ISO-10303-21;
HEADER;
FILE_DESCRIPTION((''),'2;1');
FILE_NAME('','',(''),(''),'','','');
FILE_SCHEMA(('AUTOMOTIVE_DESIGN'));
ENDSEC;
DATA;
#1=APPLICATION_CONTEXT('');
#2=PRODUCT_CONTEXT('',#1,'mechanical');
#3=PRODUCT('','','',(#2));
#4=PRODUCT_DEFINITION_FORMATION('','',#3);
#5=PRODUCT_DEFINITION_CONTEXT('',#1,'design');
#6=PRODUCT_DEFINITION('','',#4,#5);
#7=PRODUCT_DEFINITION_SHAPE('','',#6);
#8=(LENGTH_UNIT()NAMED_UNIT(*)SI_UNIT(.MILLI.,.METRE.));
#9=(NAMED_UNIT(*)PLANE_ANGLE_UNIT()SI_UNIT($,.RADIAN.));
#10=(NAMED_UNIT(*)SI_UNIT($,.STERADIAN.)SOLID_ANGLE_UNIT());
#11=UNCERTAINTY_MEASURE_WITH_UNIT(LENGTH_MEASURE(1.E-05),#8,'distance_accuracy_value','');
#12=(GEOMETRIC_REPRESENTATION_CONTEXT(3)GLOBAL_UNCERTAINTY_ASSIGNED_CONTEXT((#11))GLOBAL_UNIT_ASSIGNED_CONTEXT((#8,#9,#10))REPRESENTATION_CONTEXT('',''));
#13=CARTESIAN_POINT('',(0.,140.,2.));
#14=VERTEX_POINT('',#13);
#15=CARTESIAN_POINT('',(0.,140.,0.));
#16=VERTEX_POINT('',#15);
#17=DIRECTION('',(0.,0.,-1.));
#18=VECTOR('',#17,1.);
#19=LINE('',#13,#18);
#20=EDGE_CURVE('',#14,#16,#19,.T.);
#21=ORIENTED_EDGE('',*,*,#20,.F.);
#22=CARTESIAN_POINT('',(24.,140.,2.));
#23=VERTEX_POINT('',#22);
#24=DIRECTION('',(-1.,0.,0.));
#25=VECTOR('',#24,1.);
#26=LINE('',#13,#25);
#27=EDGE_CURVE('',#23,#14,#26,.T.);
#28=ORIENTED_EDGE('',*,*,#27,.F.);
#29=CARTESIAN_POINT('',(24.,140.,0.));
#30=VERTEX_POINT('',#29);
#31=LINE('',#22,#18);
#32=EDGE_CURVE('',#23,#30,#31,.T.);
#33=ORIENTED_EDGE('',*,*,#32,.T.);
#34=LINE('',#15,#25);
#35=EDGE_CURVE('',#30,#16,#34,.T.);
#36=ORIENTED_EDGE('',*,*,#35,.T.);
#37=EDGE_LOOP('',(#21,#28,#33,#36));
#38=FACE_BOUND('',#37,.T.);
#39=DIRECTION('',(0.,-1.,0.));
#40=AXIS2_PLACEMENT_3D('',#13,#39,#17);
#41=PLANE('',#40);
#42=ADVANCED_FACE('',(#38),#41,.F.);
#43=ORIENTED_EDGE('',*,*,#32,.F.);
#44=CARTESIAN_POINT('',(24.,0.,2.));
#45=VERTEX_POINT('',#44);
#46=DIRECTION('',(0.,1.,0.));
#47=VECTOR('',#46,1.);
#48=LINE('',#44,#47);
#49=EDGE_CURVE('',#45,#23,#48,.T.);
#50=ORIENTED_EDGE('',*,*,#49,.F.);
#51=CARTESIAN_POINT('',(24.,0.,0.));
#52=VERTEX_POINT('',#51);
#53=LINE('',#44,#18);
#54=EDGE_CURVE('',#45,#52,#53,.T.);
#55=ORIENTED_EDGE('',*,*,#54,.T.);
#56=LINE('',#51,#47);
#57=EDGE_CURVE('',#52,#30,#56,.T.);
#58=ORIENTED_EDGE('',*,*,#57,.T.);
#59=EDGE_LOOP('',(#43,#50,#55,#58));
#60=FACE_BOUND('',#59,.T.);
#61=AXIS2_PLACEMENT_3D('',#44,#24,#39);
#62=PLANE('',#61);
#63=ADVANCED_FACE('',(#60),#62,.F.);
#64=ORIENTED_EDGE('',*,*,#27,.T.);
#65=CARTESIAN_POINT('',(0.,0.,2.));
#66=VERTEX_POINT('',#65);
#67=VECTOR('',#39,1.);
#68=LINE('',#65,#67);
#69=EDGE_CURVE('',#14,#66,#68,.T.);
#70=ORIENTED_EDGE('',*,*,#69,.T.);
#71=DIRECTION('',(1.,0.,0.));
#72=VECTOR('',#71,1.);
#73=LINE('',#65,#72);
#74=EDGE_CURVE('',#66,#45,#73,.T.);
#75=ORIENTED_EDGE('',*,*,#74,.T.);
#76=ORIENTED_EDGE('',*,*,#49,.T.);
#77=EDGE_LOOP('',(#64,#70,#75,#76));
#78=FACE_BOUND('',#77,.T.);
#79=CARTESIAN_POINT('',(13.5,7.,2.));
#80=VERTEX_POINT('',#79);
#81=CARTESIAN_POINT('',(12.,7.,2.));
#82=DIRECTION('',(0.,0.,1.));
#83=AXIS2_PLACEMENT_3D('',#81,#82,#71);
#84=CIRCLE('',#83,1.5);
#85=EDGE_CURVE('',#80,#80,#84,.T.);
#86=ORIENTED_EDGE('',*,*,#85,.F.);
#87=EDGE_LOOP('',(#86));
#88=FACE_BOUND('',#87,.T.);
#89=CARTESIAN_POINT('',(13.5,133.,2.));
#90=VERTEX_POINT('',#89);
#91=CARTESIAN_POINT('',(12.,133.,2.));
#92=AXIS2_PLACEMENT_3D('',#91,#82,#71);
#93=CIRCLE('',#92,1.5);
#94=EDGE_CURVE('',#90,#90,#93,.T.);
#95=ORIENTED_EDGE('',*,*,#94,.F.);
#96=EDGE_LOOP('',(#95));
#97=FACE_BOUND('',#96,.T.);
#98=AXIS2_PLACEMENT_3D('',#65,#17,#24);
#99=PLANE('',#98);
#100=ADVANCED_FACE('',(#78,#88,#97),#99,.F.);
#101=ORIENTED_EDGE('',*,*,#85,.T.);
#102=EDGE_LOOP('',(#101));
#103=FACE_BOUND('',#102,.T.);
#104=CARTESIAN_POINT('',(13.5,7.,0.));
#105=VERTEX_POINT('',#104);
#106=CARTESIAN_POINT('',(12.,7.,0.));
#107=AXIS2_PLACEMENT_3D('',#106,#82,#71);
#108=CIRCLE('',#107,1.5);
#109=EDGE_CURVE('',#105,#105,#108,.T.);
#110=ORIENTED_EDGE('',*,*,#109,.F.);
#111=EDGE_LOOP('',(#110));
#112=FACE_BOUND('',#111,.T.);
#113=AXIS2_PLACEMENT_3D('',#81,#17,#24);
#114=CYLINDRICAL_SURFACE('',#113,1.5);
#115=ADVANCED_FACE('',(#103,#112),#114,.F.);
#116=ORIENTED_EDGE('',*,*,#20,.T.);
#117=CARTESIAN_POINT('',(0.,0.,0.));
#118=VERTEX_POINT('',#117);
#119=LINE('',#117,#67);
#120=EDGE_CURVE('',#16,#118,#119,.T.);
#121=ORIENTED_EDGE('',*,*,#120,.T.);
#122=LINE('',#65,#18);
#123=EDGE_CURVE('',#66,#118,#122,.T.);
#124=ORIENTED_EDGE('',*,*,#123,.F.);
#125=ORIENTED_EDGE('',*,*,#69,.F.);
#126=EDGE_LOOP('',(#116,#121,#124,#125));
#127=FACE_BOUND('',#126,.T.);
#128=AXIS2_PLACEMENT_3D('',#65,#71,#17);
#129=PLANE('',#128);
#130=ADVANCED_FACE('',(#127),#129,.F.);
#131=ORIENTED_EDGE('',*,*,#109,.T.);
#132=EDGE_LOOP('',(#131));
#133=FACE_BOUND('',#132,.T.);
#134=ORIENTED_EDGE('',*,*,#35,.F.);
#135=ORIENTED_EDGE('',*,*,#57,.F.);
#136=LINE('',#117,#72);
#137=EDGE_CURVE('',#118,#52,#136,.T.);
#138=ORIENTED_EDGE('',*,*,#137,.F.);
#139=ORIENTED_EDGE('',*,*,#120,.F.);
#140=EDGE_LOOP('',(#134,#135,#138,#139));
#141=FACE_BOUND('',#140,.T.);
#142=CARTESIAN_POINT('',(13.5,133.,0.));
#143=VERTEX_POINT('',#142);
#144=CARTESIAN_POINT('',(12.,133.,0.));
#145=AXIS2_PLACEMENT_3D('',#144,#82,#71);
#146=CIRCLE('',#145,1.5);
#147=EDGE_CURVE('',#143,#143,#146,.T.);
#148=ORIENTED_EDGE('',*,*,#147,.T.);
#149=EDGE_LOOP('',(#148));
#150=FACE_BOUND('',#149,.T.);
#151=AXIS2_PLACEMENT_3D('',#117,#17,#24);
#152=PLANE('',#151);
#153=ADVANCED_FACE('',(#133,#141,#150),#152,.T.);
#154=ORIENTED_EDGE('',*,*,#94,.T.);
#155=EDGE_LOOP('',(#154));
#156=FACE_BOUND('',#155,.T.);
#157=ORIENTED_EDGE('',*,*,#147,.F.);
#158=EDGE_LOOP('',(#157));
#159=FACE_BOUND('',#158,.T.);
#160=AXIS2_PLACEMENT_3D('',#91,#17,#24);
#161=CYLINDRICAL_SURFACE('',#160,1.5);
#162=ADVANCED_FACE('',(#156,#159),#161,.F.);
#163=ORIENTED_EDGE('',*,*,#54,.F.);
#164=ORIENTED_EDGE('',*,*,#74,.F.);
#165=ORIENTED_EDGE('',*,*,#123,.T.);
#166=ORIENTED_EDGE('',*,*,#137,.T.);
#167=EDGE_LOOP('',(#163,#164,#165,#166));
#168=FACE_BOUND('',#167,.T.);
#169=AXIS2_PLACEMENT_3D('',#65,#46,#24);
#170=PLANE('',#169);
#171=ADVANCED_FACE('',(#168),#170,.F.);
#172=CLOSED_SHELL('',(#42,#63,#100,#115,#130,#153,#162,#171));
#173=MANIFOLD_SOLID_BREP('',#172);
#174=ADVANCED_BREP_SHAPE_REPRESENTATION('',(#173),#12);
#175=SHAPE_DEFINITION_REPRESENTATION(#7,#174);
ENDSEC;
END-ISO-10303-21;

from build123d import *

# Parameters (mm, degrees)
SKETCH2_W           = 24
SKETCH2_H           = 140
SKETCH2_R           = 1.5
BOSS_EXTRUDE1_DEPTH = 2


with BuildPart() as part:
    # Sketch2 → Boss-Extrude1 (new body)
    with BuildSketch(Plane.XY):
        with Locations((12, 70)):
            Rectangle(SKETCH2_W, SKETCH2_H)
        with Locations((12, 133)):
            Circle(SKETCH2_R, mode=Mode.SUBTRACT)
        with Locations((12, 7)):
            Circle(SKETCH2_R, mode=Mode.SUBTRACT)
    extrude(amount=BOSS_EXTRUDE1_DEPTH)


solid = part.part
